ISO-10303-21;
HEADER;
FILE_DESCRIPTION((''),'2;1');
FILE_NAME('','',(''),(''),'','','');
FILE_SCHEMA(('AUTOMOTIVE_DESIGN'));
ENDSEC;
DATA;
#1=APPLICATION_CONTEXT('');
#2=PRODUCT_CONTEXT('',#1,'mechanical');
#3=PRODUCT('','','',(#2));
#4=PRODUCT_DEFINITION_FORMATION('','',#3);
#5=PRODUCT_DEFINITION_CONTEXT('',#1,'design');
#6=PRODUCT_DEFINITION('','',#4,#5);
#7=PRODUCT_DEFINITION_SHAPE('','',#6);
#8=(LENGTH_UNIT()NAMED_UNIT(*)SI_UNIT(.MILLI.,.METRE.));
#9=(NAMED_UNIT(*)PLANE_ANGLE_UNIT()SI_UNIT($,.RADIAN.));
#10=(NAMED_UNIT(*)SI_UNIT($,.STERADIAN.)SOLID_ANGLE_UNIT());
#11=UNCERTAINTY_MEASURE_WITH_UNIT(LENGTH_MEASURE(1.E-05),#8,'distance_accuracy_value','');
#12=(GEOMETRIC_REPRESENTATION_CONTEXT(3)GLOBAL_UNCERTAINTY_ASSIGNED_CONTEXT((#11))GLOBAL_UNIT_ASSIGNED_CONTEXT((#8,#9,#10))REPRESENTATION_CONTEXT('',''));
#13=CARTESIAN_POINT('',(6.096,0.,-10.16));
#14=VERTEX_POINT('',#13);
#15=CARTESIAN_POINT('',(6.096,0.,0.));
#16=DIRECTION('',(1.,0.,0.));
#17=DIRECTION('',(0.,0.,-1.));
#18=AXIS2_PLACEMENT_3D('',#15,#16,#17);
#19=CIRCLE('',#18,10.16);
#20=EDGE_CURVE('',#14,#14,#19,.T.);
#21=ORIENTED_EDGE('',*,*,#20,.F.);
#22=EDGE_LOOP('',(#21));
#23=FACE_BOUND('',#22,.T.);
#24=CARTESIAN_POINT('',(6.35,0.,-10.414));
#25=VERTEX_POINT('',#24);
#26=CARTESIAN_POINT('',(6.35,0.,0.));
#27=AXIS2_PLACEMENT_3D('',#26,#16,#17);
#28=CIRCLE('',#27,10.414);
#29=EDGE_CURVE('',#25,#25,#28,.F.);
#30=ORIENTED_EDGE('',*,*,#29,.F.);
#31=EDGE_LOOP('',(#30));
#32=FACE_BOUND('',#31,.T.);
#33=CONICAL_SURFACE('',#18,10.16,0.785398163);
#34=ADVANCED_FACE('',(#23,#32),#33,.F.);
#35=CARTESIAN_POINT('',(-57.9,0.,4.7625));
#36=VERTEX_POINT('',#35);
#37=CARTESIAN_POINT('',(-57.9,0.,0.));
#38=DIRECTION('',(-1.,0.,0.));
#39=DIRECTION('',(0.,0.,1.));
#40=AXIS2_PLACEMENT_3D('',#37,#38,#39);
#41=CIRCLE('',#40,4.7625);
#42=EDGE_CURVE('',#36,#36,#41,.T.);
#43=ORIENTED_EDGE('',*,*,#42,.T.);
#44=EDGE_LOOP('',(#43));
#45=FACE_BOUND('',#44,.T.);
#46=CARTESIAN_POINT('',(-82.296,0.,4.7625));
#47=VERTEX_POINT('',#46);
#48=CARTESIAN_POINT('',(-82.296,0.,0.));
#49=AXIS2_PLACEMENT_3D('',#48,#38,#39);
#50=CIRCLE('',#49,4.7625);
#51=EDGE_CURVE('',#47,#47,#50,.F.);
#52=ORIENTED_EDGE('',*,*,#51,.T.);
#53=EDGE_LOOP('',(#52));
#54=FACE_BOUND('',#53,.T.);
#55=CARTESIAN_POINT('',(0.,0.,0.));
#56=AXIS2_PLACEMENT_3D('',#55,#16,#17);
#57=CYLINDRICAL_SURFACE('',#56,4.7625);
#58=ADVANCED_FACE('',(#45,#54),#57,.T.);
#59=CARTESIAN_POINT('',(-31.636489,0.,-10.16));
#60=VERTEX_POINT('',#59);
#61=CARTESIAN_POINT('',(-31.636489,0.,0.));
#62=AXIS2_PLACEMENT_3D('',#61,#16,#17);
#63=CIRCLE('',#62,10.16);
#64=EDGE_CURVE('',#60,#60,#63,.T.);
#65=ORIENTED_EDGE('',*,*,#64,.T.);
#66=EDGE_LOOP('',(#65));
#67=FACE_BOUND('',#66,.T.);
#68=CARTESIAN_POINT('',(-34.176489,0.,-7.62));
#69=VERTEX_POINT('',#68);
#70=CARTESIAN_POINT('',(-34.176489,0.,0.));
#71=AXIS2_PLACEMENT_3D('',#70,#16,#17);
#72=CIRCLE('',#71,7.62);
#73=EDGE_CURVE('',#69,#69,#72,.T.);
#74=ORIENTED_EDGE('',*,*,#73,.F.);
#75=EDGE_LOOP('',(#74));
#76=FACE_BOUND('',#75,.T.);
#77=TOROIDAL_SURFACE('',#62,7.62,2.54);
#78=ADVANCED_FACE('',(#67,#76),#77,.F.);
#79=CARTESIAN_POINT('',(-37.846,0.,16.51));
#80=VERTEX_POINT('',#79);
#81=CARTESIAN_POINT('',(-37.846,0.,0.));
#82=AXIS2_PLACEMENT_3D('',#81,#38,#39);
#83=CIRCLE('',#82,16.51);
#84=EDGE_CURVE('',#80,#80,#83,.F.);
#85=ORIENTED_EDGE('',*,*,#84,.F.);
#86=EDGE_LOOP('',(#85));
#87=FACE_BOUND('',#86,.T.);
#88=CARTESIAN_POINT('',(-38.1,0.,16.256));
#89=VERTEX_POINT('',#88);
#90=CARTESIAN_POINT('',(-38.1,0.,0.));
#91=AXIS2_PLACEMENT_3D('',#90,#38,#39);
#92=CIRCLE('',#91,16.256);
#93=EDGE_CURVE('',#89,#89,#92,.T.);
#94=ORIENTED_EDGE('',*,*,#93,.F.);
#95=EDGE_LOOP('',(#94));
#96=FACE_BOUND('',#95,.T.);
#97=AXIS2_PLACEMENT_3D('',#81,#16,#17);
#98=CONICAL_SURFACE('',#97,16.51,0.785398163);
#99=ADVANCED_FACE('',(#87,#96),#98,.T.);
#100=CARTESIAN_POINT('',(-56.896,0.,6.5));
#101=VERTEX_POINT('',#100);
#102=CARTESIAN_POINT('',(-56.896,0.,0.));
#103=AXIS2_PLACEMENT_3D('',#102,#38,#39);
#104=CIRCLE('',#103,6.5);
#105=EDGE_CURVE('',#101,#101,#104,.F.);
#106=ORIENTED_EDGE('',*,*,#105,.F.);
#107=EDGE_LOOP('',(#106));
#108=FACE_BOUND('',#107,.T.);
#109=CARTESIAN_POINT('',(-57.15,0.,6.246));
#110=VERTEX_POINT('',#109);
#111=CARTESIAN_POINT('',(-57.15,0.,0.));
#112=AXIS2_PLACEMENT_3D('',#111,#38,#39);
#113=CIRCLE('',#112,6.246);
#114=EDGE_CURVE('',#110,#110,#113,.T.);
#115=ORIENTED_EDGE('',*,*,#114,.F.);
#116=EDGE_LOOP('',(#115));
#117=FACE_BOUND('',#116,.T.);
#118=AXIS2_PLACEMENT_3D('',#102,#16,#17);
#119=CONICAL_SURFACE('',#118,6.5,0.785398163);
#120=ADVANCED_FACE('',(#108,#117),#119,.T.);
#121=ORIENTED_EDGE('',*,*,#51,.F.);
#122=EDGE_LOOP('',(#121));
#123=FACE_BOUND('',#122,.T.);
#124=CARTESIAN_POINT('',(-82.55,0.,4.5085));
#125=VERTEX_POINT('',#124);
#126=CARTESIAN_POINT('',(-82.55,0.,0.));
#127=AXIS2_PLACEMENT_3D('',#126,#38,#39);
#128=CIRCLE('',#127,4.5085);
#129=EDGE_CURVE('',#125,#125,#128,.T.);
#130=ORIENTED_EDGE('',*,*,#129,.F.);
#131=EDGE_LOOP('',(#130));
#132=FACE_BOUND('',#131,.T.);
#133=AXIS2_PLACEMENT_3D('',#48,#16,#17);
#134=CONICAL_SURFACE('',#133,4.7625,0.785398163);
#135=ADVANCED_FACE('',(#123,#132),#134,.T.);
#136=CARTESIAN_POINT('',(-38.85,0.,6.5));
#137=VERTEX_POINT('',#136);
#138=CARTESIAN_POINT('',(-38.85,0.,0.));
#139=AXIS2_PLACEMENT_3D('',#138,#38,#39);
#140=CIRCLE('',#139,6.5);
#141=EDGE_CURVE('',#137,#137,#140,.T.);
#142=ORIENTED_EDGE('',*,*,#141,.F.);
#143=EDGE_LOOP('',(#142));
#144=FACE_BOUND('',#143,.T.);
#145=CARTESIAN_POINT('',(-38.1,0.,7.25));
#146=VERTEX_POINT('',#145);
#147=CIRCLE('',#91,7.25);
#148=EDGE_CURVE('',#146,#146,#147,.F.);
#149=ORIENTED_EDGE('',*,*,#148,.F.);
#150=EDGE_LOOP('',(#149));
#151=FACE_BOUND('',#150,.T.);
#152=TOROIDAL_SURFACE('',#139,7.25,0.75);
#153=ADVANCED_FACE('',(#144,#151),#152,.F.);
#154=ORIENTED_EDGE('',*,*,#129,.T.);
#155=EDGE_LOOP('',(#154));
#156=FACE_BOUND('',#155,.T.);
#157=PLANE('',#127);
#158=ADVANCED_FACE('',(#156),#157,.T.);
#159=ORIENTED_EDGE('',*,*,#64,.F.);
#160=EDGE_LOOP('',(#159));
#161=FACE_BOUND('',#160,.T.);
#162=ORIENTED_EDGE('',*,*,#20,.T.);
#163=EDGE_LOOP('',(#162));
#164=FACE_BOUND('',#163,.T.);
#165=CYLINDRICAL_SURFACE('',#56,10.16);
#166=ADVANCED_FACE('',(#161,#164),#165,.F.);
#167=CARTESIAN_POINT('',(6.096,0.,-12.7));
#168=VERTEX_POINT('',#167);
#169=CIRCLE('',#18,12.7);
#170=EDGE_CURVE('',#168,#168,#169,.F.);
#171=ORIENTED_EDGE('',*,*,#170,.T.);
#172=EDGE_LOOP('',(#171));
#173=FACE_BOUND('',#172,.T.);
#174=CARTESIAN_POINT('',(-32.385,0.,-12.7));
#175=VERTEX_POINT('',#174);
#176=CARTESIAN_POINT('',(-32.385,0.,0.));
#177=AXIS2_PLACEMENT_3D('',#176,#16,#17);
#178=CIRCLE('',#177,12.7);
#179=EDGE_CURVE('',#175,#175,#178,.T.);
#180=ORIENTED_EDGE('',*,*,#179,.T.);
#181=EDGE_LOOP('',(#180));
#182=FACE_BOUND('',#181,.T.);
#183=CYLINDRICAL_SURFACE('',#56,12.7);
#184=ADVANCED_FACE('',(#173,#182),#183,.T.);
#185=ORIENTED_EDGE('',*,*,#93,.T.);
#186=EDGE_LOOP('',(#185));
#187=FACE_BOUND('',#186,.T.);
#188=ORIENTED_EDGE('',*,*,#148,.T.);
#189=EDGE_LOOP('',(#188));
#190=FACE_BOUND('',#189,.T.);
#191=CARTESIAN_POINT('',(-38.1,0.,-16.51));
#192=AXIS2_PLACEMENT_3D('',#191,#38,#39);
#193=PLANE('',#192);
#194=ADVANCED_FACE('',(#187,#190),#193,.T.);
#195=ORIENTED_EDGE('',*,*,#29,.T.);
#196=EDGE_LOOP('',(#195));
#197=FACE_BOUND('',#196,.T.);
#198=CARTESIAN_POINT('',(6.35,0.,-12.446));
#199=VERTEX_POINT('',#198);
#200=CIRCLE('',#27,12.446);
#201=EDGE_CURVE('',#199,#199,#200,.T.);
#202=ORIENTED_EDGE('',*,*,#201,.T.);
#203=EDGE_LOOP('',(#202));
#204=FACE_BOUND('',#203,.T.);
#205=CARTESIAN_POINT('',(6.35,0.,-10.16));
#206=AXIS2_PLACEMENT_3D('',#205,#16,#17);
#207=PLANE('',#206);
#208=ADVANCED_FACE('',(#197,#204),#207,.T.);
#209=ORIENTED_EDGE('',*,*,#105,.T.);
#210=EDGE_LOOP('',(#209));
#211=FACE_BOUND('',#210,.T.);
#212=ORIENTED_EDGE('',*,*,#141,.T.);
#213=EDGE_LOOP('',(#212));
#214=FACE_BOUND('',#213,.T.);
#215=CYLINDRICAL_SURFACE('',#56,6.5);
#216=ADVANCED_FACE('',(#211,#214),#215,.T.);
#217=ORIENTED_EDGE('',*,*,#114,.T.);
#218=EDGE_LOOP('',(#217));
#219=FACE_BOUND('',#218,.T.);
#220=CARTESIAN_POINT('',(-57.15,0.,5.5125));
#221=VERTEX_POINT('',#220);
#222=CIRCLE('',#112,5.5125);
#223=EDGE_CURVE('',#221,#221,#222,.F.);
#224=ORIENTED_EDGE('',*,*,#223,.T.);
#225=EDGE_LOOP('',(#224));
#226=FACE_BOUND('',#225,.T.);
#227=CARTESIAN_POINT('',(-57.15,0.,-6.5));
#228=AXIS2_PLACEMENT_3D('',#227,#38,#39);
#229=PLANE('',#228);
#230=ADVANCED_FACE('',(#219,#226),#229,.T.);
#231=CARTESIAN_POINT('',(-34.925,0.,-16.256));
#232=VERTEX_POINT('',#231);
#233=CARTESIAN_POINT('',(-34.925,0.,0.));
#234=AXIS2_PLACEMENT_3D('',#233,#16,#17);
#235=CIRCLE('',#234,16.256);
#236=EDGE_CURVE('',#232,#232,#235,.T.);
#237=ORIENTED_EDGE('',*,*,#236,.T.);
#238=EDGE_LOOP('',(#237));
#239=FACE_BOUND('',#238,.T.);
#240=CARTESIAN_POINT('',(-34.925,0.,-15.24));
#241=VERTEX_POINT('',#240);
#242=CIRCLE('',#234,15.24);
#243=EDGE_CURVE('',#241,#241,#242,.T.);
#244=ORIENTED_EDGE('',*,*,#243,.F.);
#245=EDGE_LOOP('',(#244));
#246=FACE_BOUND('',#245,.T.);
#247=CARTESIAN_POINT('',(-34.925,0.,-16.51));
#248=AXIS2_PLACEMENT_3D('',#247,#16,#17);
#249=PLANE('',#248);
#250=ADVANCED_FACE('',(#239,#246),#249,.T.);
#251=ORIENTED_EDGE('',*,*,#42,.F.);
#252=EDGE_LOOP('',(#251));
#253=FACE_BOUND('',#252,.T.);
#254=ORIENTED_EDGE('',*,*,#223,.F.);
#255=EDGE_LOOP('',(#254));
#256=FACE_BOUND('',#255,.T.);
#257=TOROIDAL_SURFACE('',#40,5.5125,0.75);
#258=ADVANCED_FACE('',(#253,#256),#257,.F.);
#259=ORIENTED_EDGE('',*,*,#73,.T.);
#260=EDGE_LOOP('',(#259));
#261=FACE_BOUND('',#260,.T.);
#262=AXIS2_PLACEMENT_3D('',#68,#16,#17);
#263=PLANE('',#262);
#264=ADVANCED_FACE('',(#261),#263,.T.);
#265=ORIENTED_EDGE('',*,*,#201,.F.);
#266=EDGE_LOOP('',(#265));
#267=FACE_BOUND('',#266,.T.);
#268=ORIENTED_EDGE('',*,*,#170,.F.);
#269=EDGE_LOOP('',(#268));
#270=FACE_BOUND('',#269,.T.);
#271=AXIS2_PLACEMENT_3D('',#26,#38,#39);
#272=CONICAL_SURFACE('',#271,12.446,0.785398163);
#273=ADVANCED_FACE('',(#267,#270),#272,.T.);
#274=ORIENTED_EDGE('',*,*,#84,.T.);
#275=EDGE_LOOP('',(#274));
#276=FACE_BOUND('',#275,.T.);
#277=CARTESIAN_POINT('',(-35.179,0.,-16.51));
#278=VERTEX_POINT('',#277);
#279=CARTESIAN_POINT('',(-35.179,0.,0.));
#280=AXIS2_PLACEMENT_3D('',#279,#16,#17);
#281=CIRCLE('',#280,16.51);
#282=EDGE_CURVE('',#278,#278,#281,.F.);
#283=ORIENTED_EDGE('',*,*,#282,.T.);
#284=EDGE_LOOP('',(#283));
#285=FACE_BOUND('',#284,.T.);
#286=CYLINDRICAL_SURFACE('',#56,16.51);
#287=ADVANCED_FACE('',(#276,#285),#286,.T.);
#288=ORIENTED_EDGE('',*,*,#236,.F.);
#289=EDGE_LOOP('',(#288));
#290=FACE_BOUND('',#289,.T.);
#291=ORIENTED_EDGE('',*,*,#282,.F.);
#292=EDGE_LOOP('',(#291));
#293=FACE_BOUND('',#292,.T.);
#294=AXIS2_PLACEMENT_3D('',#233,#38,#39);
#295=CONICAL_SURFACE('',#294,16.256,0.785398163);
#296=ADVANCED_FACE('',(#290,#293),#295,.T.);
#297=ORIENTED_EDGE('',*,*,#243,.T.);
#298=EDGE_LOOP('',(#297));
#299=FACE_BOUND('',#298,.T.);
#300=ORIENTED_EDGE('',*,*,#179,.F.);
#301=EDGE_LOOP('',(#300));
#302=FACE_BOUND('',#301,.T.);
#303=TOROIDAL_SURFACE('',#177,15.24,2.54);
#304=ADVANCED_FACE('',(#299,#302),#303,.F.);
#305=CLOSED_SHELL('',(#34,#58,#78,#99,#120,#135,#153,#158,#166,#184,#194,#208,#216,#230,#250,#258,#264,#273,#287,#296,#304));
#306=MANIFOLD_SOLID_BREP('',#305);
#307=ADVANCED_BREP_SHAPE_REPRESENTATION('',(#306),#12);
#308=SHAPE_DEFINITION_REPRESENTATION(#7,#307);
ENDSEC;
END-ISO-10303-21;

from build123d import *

# Parameters (mm, degrees)
FILLET2_R     = 0.75
CHAMFER1_SIZE = 0.254


with BuildPart() as part:
    # Sketch1 → Revolve1 (revolve)
    with BuildSketch(Plane(origin=(0, 0, 0), x_dir=(1, 0, 0), z_dir=(0, 1, 0))):
        with BuildLine():
            Line((6.35, 10.16), (-31.636489348, 10.16))
            ThreePointArc((-31.636489348, 10.16), (-33.432540572, 9.416051224), (-34.176489348, 7.62))
            Line((-34.176489348, 7.62), (-34.176489348, 0))
            Line((-34.176489348, 0), (-82.55, 0))
            Line((-82.55, 0), (-82.55, 4.7625))
            Line((-82.55, 4.7625), (-57.15, 4.7625))
            Line((-57.15, 4.7625), (-57.15, 6.5))
            Line((-57.15, 6.5), (-38.1, 6.5))
            Line((-38.1, 6.5), (-38.1, 16.51))
            Line((-38.1, 16.51), (-34.925, 16.51))
            Line((-34.925, 16.51), (-34.925, 15.24))
            ThreePointArc((-34.925, 15.24), (-34.181051224, 13.443948776), (-32.385, 12.7))
            Line((-32.385, 12.7), (6.35, 12.7))
            Line((6.35, 12.7), (6.35, 10.16))
        make_face()
    revolve(axis=Axis((0, 0, 0), (-1, 0, 0)))

    # Fillet2
    fillet2_edges = [part.edges().sort_by_distance(p)[0] for p in [
        (-57.15, 0, 4.7625),
        (-38.1, 0, 6.5),
    ]]
    fillet(fillet2_edges, radius=FILLET2_R)

    # Chamfer1
    chamfer1_edges = [part.edges().sort_by_distance(p)[0] for p in [
        (-57.15, 0, 6.5),
        (-38.1, 0, 16.51),
        (-34.925, 0, 16.51),
        (6.35, 0, 12.7),
        (6.35, 0, 10.16),
        (-82.55, 0, 4.7625),
    ]]
    chamfer(chamfer1_edges, length=CHAMFER1_SIZE)


solid = part.part
